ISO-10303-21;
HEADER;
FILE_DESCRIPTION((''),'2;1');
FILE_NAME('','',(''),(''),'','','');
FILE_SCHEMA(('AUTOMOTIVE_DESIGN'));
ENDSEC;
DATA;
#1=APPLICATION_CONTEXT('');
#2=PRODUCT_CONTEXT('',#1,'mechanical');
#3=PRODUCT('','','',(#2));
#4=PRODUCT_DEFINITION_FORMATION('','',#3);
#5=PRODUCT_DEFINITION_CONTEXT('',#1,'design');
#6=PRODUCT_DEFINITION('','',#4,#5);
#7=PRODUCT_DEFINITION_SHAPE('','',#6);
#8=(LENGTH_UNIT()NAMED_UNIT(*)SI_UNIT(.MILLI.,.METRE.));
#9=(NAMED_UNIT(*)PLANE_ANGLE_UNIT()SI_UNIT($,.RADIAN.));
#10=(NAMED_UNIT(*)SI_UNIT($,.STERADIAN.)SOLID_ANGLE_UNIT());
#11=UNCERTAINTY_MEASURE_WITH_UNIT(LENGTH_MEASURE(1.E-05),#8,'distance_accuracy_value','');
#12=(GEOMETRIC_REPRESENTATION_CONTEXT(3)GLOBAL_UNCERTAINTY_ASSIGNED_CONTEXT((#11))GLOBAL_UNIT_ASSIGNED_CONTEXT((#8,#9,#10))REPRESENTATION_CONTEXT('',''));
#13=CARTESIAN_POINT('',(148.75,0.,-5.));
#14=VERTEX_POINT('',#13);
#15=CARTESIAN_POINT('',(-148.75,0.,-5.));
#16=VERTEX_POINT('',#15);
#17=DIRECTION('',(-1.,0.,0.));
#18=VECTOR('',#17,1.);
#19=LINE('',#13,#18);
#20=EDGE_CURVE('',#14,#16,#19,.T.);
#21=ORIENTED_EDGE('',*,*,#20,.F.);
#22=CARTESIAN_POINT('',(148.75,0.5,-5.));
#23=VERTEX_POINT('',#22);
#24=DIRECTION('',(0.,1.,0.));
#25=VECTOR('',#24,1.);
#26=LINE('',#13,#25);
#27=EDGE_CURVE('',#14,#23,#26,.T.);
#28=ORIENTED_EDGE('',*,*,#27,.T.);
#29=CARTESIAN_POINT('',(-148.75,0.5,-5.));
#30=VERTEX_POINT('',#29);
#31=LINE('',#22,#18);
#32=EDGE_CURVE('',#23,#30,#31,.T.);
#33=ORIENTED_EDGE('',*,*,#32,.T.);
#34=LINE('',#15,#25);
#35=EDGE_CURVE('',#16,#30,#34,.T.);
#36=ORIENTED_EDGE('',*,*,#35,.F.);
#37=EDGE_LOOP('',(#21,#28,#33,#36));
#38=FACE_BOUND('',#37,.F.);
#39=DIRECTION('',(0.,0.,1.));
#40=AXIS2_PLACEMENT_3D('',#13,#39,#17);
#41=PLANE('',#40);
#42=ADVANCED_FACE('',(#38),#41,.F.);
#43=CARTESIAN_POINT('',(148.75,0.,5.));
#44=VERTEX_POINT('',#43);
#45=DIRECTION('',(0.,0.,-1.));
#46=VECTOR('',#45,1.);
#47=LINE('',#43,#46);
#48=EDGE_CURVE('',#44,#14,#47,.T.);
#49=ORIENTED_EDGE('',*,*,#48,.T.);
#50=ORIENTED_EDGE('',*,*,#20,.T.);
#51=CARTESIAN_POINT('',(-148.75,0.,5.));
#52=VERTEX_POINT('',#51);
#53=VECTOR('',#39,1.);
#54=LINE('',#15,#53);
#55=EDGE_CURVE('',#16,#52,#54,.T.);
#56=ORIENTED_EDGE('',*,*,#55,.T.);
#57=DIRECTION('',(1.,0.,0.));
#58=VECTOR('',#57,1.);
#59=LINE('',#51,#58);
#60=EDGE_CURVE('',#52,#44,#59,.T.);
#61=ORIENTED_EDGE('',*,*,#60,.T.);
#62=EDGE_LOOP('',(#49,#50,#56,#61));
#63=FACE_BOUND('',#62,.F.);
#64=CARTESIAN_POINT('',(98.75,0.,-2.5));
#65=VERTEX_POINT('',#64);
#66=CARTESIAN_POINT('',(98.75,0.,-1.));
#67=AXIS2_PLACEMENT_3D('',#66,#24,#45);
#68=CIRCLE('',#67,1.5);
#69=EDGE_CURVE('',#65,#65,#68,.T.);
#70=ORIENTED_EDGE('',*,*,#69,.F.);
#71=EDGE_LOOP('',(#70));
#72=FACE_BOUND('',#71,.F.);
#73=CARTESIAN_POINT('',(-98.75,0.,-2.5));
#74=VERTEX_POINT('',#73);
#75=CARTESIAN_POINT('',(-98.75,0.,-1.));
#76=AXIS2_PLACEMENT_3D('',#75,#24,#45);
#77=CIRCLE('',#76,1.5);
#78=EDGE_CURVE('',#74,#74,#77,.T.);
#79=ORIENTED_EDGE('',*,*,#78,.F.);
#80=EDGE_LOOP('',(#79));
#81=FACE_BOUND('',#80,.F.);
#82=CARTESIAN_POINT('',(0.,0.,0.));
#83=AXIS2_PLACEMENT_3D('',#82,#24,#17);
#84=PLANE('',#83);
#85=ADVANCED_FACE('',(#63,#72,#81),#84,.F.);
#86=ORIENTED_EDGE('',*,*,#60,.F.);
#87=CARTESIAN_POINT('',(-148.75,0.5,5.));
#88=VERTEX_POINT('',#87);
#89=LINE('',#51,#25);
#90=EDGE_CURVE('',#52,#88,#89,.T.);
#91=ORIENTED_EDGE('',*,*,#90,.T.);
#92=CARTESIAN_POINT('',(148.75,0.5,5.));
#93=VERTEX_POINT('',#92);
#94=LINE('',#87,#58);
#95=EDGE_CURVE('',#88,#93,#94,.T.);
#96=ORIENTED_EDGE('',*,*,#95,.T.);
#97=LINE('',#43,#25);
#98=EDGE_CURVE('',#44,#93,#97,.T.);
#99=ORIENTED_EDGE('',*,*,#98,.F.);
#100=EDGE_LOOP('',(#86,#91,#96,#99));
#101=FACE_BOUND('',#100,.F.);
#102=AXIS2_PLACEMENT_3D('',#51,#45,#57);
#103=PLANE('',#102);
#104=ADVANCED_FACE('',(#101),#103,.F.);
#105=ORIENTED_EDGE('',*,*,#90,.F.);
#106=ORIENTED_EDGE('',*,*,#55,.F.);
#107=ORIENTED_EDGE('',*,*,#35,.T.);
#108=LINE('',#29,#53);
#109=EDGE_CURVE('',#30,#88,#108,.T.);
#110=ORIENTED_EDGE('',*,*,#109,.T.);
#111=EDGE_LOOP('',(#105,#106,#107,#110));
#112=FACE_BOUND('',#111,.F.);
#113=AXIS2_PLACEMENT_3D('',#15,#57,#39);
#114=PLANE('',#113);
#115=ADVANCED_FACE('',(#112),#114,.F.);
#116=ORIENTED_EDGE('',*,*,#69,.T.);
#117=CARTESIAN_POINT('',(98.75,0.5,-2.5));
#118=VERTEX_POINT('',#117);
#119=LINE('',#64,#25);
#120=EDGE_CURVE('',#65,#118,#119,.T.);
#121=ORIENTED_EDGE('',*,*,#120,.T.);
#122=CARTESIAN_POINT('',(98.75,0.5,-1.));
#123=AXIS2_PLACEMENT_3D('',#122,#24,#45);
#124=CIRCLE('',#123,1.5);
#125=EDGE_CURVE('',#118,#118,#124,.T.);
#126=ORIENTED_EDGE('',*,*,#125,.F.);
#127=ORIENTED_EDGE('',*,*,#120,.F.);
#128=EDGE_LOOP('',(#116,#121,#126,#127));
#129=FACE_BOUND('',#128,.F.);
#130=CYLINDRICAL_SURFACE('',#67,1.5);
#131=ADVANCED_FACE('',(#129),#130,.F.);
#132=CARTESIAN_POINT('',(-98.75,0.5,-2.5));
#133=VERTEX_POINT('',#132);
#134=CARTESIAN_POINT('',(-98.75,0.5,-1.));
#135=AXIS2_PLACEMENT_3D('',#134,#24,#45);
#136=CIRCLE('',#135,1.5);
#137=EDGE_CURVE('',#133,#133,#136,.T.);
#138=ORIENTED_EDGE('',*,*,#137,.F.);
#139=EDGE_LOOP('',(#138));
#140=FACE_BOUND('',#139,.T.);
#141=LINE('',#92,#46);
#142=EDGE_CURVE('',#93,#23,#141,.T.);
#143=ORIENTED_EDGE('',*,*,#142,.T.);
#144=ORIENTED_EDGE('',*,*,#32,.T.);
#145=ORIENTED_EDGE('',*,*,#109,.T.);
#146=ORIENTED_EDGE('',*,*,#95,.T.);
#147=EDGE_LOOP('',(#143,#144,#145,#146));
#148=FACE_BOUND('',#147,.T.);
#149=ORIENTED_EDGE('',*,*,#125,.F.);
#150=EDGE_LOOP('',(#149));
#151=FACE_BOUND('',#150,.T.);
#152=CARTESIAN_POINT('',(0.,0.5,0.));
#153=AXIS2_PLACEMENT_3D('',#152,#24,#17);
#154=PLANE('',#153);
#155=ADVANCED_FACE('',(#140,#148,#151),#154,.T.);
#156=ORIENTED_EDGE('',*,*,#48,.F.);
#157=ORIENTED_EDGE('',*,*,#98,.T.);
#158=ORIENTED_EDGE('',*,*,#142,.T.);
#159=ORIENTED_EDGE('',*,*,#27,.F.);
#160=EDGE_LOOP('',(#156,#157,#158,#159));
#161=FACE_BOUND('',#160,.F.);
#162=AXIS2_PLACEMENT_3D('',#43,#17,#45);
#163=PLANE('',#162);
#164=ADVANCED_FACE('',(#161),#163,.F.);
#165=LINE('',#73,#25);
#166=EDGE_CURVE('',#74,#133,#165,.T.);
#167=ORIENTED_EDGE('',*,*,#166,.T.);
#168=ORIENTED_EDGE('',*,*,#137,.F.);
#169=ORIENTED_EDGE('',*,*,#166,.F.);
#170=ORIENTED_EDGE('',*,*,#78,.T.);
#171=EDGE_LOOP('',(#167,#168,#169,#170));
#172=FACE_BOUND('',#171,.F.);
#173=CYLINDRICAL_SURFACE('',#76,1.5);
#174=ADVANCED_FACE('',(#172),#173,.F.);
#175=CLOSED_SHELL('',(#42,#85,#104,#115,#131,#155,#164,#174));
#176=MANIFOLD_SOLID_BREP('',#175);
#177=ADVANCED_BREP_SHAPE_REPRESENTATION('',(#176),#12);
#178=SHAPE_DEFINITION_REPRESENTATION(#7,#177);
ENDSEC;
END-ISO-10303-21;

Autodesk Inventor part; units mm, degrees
ref_plane "YZ Plane" through (0, 0, 0) normal (1, 0, 0) x (0, 1, 0)
ref_plane "XZ Plane" through (0, 0, 0) normal (0, 1, 0) x (-1, 0, 0)
ref_plane "XY Plane" through (0, 0, 0) normal (0, 0, 1) x (1, 0, 0)
sketch "Esboço1" plane through (0, 0, 0) normal (0, 1, 0) x (-1, 0, 0)
  line L0 (148.75, 5) -> (-148.75, 5)
  line L1 (-148.75, 5) -> (-148.75, -5)
  line L2 (-148.75, -5) -> (148.75, -5)
  line L3 (148.75, -5) -> (148.75, 5)
  line L4 (148.75, 5) -> (-148.75, -5) construction
  line L5 (-148.75, 5) -> (148.75, -5) construction
  point P0 (0, 0)
  dimension "d0" = 297.5
  dimension "d1" = 10
extrude "Placa1" add sketch "Esboço1" along normal blind 0.5
sketch "Esboço2" plane through (0, 0, 0) normal (0, -1, 0) x (1, 0, 0)
  line L0 (-148.75, -5) -> (-148.75, 5) projected
  line L1 (148.75, -5) -> (-148.75, -5) projected
  line L2 (148.75, 5) -> (148.75, -5) projected
  point P0 (0, 0)
  point P1 (-98.75, -1)
  point P2 (98.75, -1)
  dimension "d3" = 50
  dimension "d4" = 4
  dimension "d5" = 4
  dimension "d6" = 50
hole "Furo1" at (-98.75, 0, -1) at (98.75, 0, -1) direction (0, 1, 0) diameter 3 end through all
equation "\"d12\" = Espessura"
equation "\"d2\" = Espessura"
equation "\"Raio_vergadura\" = Espessura"
equation "\"Largura_alívio_de_vergadura\" = Espessura"
equation "\"Profundidade_alívio_de_vergadura\" = 0.5 * Espessura"
equation "\"Tamanho_alívio_de_dobra\" = 4 * Espessura"
equation "\"Remanescente_mínimo\" = 2 * Espessura"
equation "\"Raiodetransição\" = Raio_vergadura"
equation "\"Tamanho_de_raio_de_Jacobi\" = Raio_vergadura"
equation "\"TamanhoFolga\" = Espessura"
equation "\"Espessura\" = 0.5"
properties part number "Lateral 1 Gaveta" material "PMMA plástico"
